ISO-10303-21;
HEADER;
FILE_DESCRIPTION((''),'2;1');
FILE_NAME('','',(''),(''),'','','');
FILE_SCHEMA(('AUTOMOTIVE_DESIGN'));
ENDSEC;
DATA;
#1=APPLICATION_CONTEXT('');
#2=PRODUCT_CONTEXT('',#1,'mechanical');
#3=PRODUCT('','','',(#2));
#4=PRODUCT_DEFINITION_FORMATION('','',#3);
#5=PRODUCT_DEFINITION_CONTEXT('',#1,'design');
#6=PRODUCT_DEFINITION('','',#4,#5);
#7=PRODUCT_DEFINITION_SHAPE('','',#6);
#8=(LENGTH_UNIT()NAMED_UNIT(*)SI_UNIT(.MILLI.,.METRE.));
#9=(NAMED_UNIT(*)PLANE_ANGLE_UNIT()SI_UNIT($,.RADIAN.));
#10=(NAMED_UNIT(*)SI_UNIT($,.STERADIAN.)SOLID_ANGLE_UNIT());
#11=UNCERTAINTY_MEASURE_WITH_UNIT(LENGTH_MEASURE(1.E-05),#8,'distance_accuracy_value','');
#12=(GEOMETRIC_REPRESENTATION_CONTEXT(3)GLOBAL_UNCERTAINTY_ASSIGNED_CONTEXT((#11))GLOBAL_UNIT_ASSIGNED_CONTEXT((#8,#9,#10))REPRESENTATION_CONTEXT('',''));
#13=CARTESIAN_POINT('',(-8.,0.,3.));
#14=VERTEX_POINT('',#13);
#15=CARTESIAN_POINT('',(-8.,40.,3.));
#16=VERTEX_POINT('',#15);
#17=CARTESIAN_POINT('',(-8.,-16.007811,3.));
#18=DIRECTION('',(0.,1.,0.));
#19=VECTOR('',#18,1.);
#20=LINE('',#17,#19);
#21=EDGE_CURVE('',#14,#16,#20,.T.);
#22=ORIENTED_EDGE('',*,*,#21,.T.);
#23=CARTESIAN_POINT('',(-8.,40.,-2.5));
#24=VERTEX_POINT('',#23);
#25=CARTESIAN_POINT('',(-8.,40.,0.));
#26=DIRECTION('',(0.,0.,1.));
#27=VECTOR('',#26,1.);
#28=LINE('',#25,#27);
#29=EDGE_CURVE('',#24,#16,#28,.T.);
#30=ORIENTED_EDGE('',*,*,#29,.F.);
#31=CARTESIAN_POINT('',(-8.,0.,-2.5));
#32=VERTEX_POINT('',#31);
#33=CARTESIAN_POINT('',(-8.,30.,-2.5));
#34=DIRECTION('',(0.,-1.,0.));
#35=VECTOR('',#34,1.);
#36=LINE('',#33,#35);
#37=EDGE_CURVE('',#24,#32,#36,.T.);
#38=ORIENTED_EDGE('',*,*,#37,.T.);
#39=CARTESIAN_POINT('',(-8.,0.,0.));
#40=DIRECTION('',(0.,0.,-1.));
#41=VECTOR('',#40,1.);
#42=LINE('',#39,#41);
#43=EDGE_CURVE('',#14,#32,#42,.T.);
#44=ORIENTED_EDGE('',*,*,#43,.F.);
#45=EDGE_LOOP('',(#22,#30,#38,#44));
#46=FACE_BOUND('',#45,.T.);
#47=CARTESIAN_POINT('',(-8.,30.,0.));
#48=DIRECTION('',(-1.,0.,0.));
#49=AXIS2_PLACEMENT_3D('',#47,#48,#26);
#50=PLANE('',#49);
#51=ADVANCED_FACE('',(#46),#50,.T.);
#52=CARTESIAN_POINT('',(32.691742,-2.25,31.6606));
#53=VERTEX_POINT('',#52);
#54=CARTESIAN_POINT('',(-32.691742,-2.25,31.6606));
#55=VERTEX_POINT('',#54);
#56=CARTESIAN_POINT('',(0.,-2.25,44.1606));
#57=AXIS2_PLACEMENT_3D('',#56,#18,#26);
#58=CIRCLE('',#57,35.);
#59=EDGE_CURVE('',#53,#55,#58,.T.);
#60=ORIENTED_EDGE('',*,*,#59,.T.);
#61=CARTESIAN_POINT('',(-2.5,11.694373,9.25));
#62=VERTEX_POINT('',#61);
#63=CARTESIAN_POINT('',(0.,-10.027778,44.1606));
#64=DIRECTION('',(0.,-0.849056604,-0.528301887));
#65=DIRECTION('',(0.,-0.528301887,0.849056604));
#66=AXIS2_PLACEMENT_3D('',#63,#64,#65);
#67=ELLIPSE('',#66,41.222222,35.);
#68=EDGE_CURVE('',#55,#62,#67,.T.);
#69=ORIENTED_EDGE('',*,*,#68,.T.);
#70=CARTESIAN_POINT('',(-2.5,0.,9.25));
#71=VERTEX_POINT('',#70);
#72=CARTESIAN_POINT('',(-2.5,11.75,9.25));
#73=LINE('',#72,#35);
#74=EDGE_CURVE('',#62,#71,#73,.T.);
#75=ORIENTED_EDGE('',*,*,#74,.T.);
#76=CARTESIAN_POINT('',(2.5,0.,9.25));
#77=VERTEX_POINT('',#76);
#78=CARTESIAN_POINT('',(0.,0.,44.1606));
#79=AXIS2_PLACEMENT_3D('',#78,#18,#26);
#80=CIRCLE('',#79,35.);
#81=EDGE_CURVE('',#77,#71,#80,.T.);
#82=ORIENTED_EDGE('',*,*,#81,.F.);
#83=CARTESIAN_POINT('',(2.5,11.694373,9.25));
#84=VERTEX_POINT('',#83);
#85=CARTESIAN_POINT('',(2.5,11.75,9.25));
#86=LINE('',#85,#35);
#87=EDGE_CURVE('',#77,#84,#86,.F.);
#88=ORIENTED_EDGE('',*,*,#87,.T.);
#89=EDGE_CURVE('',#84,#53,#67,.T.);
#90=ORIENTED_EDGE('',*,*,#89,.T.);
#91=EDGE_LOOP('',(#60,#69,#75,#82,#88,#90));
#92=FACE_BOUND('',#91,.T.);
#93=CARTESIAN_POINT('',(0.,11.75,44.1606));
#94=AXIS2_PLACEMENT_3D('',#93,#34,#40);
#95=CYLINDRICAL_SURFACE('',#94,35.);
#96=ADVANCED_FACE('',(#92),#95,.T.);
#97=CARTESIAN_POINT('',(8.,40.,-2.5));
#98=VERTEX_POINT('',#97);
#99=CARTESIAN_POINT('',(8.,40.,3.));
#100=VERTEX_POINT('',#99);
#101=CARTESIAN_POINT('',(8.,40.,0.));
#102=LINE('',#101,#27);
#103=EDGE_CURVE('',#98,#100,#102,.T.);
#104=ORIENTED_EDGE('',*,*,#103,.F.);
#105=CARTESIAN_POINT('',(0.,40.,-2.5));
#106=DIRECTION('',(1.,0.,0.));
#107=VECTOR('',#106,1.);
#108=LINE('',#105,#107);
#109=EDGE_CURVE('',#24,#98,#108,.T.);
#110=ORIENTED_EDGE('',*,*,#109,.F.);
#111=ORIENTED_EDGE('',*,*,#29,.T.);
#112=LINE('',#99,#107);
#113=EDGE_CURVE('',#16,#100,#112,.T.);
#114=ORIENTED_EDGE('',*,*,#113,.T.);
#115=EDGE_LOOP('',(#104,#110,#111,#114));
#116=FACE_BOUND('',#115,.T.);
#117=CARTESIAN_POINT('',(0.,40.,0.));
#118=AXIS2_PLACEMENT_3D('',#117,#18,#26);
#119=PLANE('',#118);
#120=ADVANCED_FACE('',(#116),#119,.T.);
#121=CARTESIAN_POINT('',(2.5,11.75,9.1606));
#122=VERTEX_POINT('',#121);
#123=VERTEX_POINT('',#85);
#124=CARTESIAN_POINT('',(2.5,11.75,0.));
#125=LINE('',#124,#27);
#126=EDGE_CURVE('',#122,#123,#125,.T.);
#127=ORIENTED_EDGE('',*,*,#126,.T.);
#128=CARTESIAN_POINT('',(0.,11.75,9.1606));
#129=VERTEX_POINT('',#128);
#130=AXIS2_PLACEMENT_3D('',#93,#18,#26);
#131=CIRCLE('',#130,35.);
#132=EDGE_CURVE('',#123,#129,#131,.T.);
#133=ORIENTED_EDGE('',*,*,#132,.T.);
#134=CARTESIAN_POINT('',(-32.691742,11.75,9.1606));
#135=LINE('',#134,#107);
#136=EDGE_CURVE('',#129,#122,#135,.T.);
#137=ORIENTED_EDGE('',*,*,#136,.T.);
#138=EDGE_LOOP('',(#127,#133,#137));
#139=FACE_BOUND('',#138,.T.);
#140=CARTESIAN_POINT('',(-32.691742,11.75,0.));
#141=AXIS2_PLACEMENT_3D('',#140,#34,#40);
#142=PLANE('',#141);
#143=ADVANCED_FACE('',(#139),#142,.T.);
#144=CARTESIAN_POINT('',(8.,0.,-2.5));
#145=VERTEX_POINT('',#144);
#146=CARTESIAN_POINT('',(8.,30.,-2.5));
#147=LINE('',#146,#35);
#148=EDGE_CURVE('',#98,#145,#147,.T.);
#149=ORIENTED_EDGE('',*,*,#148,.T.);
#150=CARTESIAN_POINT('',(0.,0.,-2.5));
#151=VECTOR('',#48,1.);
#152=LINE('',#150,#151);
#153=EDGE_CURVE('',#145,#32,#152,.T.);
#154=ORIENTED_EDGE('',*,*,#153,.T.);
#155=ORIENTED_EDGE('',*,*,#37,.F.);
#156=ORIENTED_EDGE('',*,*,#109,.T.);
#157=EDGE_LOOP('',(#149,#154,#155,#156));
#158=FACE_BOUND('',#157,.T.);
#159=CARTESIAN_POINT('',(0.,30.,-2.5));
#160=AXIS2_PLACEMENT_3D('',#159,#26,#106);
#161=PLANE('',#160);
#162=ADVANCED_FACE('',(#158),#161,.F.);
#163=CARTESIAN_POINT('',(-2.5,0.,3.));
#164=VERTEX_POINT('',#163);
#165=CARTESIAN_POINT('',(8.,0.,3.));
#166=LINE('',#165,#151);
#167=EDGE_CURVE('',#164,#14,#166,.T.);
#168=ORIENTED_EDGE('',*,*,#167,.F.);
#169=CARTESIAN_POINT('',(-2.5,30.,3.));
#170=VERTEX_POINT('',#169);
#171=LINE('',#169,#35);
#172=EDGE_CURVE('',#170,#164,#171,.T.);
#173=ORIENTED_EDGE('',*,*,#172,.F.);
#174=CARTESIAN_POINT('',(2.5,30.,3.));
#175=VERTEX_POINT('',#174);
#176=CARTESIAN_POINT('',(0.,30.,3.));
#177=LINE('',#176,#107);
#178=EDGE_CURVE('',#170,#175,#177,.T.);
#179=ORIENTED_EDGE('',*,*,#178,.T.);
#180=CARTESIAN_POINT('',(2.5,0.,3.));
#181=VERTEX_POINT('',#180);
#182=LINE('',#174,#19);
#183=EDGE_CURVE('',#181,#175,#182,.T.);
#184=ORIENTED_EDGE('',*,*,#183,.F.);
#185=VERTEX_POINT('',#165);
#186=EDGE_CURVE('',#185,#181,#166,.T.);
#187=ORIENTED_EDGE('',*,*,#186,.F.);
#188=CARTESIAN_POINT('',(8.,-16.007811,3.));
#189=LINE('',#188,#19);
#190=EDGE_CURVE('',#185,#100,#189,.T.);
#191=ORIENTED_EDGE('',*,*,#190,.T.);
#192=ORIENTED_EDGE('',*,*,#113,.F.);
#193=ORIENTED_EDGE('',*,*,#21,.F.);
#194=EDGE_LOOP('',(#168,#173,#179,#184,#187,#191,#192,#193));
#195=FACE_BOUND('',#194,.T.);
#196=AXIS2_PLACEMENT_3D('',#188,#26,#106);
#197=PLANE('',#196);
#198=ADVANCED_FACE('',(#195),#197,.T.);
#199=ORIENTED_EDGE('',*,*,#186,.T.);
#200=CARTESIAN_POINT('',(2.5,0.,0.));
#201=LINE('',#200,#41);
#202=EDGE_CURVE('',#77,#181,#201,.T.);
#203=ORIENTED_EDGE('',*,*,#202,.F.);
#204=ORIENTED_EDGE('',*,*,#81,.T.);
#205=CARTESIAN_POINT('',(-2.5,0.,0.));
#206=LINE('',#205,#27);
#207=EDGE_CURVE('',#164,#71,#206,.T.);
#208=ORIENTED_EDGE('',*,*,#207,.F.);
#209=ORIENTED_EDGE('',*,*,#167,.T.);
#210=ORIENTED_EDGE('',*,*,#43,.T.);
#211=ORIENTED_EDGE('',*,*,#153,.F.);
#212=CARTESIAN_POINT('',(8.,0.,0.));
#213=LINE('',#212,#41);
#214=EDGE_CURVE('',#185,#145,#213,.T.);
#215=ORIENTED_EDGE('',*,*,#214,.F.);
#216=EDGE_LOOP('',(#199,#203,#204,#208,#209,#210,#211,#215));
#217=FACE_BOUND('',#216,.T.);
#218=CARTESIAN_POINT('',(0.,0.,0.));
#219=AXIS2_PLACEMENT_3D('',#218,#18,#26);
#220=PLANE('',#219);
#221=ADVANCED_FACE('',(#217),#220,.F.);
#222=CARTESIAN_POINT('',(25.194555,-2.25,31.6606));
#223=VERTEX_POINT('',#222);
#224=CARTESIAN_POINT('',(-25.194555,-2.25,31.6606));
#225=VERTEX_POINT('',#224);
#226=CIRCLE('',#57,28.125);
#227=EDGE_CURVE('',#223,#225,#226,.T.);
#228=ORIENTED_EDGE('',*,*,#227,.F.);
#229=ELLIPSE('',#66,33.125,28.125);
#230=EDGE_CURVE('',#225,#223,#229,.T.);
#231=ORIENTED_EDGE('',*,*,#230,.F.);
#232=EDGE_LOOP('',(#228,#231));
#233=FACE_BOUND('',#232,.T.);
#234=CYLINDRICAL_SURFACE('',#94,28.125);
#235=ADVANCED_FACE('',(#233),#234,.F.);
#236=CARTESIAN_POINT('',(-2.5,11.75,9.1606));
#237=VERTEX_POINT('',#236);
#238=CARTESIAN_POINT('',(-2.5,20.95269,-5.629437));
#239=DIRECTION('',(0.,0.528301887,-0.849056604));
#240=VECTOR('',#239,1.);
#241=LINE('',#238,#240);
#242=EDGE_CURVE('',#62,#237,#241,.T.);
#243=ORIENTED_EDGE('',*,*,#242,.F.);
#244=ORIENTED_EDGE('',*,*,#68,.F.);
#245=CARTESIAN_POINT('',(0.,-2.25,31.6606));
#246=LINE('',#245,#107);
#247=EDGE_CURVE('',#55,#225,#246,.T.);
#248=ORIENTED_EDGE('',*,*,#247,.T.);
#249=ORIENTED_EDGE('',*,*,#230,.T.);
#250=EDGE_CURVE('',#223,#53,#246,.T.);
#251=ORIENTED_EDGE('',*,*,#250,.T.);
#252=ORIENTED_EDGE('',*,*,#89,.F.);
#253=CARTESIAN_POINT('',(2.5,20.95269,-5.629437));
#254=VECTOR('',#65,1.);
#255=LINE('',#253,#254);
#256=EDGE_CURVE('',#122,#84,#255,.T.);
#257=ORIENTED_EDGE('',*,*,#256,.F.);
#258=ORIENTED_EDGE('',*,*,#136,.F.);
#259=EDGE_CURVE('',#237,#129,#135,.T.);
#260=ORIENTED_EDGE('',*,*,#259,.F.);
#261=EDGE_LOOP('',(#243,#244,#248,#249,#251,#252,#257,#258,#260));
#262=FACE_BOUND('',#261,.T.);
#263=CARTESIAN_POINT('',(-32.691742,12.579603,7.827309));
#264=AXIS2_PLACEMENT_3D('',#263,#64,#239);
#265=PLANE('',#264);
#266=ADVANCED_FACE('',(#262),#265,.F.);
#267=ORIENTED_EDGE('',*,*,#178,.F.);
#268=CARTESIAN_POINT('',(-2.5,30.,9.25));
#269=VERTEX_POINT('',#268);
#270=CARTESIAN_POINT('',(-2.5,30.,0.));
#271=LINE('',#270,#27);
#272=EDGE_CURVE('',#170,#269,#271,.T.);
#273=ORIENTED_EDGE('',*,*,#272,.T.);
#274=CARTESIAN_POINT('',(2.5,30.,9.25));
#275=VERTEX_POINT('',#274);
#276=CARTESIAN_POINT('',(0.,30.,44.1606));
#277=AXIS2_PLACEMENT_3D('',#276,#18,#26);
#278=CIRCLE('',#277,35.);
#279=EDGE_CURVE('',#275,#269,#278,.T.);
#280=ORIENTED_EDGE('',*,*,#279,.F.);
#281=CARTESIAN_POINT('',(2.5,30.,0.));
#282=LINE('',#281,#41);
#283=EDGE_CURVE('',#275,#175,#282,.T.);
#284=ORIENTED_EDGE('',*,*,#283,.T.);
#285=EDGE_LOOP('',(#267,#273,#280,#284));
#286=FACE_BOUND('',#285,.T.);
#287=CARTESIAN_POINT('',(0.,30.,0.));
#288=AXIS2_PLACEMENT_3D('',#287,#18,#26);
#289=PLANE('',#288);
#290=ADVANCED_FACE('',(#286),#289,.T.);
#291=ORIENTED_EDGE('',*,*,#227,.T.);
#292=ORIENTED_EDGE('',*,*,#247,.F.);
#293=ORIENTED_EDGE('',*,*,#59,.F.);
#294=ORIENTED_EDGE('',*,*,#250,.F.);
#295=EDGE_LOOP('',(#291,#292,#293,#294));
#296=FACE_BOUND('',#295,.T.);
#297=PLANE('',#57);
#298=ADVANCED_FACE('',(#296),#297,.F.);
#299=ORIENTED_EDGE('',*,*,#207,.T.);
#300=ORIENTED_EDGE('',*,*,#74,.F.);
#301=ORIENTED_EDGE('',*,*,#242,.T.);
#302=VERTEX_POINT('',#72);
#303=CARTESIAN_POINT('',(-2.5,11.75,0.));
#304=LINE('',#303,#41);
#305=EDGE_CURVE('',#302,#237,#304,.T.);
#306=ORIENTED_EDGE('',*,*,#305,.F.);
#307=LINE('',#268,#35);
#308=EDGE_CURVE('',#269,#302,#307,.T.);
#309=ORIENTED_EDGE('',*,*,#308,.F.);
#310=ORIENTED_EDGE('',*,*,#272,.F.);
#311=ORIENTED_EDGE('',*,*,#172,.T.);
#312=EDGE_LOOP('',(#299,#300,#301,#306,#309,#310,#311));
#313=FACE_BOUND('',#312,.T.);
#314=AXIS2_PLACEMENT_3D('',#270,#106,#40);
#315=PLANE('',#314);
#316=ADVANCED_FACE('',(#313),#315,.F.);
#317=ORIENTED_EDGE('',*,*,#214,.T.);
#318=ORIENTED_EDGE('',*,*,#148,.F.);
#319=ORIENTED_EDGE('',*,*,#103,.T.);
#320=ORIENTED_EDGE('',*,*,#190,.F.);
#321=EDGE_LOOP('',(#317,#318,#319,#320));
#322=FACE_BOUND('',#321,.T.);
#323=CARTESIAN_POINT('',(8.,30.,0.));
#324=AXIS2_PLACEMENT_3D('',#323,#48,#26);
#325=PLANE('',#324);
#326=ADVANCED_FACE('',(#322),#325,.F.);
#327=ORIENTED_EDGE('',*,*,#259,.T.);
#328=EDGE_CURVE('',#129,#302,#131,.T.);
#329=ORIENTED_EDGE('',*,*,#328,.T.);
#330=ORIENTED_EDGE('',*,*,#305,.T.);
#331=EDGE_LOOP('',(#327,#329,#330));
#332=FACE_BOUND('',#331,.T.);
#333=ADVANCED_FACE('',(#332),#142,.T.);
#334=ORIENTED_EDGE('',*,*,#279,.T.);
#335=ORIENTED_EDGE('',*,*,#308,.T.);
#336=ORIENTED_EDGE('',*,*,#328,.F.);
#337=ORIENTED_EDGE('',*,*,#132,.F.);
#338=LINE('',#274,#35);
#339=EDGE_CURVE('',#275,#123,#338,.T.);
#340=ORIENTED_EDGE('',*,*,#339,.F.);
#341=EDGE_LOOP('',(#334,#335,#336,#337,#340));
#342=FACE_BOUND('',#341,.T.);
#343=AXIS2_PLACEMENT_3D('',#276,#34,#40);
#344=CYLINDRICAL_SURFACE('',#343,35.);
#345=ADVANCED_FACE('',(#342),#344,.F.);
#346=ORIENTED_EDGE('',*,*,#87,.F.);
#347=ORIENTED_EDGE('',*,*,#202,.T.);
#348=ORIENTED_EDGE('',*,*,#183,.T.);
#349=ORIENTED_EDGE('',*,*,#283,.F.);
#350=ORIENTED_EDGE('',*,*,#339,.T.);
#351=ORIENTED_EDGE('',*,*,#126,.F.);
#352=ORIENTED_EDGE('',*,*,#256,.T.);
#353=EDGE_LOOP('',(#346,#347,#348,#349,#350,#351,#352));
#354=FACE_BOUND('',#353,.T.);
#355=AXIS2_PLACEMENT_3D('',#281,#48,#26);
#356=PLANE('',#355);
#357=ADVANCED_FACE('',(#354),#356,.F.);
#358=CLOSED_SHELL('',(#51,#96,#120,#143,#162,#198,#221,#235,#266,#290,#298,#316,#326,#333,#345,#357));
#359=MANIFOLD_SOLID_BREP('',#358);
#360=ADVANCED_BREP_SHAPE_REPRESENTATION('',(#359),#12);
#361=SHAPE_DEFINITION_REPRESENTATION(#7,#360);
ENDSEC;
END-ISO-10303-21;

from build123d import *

# Parameters (mm, degrees)
SKETCH1_W               = 16
SKETCH1_H               = 5
BOSS_EXTRUDE1_DEPTH     = 30
BOSS_EXTRUDE2_START     = -2.25
BOSS_EXTRUDE2_DEPTH     = 14
CUT_EXTRUDE1_DEPTH      = 33.691742077
CUT_EXTRUDE1_DEPTH_BACK = 33.691742077
BOSS_EXTRUDE3_START     = 30
SKETCH1_3_W             = 16
SKETCH1_3_H             = 5
BOSS_EXTRUDE3_DEPTH     = 10
SKETCH5_W               = 16
SKETCH5_H               = 0.5
BOSS_EXTRUDE4_DEPTH     = 40


with BuildPart() as part:
    # Sketch1 → Boss-Extrude1 (new body)
    with BuildSketch(Plane(origin=(0, 0, 0), x_dir=(1, 0, 0), z_dir=(0, 1, 0))):
        Rectangle(SKETCH1_W, SKETCH1_H)
        with BuildLine():
            Line((2.5, -9.25), (2.5, -2.5))
            Line((2.5, -2.5), (-2.5, -2.5))
            Line((-2.5, -2.5), (-2.5, -9.25))
            ThreePointArc((-2.5, -9.25), (0, -9.160600109), (2.5, -9.25))
        make_face()
    extrude(amount=BOSS_EXTRUDE1_DEPTH)

    # Sketch2 → Boss-Extrude2 (add)
    with BuildSketch(Plane(origin=(0, 0, 0), x_dir=(1, 0, 0), z_dir=(0, 1, 0)).offset(BOSS_EXTRUDE2_START)):
        with BuildLine():
            ThreePointArc((32.691742077, -31.660600109), (0, -9.160600109), (-32.691742077, -31.660600109))
            Line((-32.691742077, -31.660600109), (-25.194555463, -31.660600109))
            ThreePointArc((-25.194555463, -31.660600109), (0, -16.035600109), (25.194555463, -31.660600109))
            Line((25.194555463, -31.660600109), (32.691742077, -31.660600109))
        make_face()
    extrude(amount=BOSS_EXTRUDE2_DEPTH)

    # Sketch3 → Cut-Extrude1 (cut, two sides)
    with BuildSketch(Plane(origin=(0, 0, 0), x_dir=(0, 0, -1), z_dir=(1, 0, 0))) as cut_extrude1_sk:
        Polygon((-31.660600109, -2.25), (-31.660600109, 11.75), (-9.160600109, 11.75), align=None)
    extrude(amount=CUT_EXTRUDE1_DEPTH, mode=Mode.SUBTRACT)
    extrude(cut_extrude1_sk.sketch, amount=-CUT_EXTRUDE1_DEPTH_BACK, mode=Mode.SUBTRACT)

    # Sketch1_3 → Boss-Extrude3 (add)
    with BuildSketch(Plane(origin=(0, 0, 0), x_dir=(1, 0, 0), z_dir=(0, 1, 0)).offset(BOSS_EXTRUDE3_START)):
        Rectangle(SKETCH1_3_W, SKETCH1_3_H)
    extrude(amount=BOSS_EXTRUDE3_DEPTH)

    # Sketch5 → Boss-Extrude4 (add)
    with BuildSketch(Plane(origin=(0, 40, 0), x_dir=(1, 0, 0), z_dir=(0, 1, 0))):
        with Locations((0, -2.75)):
            Rectangle(SKETCH5_W, SKETCH5_H)
    extrude(amount=-BOSS_EXTRUDE4_DEPTH)


solid = part.part
